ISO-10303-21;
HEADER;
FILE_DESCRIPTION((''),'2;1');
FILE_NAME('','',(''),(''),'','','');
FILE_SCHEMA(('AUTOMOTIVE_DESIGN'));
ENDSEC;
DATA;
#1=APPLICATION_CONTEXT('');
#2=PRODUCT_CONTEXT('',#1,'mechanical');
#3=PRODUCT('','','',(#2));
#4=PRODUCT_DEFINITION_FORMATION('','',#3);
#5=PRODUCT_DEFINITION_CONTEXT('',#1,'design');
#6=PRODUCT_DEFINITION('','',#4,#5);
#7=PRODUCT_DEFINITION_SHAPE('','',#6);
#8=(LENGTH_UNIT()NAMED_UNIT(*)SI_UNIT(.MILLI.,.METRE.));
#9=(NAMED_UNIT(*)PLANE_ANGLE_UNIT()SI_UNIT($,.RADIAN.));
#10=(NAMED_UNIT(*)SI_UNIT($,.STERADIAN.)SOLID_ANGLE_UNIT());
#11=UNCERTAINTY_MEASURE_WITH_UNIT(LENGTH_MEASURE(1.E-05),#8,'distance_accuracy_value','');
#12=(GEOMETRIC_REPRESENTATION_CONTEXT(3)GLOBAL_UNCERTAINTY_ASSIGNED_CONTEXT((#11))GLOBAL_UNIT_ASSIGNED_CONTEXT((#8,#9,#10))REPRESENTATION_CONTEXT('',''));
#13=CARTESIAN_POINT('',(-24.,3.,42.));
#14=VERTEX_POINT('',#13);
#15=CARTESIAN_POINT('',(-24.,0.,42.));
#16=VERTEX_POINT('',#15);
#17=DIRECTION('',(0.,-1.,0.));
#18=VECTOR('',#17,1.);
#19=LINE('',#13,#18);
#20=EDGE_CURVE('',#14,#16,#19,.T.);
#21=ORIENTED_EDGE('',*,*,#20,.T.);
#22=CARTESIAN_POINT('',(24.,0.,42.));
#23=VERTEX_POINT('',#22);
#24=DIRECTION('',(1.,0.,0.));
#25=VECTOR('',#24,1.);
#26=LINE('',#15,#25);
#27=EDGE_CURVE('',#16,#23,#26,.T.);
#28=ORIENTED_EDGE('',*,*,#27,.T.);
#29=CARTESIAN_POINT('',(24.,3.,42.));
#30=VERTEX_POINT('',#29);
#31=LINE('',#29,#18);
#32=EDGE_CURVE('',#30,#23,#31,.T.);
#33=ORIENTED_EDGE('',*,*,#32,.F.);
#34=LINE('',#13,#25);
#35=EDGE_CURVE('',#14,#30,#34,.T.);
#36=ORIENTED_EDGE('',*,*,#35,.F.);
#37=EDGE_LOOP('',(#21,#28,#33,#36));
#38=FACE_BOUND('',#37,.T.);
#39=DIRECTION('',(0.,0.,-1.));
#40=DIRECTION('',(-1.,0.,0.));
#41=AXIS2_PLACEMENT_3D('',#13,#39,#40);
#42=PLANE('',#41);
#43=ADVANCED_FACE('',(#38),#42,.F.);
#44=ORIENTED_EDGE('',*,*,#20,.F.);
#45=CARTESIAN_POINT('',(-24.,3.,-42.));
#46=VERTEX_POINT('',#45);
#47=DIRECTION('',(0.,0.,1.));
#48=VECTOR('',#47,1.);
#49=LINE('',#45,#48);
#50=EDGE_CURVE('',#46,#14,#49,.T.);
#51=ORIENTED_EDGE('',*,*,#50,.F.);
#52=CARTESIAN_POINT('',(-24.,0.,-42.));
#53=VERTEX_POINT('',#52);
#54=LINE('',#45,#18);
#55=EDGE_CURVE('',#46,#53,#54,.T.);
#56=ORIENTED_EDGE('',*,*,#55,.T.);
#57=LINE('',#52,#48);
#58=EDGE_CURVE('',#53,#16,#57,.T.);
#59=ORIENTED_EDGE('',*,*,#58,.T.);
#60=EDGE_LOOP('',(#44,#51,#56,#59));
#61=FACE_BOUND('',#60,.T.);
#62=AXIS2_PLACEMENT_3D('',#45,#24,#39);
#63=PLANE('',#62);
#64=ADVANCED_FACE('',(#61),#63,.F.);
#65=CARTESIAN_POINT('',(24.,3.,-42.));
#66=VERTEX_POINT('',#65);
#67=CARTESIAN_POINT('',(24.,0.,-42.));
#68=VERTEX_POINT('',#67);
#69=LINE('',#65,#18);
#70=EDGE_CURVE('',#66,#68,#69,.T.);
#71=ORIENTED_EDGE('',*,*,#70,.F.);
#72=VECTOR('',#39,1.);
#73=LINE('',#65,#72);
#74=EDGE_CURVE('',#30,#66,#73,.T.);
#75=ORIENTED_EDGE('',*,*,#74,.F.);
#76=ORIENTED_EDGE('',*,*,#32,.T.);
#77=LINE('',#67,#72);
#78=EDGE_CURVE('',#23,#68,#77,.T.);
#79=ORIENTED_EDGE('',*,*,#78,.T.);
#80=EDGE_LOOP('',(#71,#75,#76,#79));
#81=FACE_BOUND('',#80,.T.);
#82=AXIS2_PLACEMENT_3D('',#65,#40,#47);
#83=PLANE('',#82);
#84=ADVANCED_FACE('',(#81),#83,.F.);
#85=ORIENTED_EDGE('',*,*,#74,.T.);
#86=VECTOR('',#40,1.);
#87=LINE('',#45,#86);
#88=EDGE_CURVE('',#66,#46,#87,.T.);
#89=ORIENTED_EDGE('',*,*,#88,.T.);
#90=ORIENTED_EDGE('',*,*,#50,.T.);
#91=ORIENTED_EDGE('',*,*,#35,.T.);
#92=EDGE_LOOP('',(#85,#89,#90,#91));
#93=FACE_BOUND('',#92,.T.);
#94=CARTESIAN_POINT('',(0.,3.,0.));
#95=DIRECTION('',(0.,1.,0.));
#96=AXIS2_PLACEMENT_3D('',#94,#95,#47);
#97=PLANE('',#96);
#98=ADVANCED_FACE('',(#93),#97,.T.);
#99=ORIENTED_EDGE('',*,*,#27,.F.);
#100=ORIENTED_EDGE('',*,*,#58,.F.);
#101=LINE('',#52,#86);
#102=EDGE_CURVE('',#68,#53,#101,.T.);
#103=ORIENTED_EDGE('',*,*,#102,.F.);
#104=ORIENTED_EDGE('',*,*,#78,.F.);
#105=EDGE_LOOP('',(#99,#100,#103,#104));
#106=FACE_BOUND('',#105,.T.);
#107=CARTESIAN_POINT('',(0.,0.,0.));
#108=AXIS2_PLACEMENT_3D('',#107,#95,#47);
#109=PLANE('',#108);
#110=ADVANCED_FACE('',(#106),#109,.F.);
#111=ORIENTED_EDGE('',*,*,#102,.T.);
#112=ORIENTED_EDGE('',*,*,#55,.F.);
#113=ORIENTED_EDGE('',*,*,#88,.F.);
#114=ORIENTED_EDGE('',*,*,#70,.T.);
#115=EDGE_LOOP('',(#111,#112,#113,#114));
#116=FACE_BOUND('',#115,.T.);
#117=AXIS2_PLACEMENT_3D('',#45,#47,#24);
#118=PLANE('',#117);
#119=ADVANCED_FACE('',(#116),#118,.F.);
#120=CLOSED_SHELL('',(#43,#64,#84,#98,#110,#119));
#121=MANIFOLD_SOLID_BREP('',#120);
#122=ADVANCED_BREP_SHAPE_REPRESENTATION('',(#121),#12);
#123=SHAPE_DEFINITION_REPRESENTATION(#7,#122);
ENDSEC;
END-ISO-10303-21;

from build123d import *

# Parameters (mm, degrees)
SKETCH1_W           = 48
SKETCH1_H           = 84
BOSS_EXTRUDE1_DEPTH = 3


with BuildPart() as part:
    # Sketch1 → Boss-Extrude1 (new body)
    with BuildSketch(Plane(origin=(0, 0, 0), x_dir=(1, 0, 0), z_dir=(0, 1, 0))):
        Rectangle(SKETCH1_W, SKETCH1_H)
    extrude(amount=BOSS_EXTRUDE1_DEPTH)


solid = part.part
